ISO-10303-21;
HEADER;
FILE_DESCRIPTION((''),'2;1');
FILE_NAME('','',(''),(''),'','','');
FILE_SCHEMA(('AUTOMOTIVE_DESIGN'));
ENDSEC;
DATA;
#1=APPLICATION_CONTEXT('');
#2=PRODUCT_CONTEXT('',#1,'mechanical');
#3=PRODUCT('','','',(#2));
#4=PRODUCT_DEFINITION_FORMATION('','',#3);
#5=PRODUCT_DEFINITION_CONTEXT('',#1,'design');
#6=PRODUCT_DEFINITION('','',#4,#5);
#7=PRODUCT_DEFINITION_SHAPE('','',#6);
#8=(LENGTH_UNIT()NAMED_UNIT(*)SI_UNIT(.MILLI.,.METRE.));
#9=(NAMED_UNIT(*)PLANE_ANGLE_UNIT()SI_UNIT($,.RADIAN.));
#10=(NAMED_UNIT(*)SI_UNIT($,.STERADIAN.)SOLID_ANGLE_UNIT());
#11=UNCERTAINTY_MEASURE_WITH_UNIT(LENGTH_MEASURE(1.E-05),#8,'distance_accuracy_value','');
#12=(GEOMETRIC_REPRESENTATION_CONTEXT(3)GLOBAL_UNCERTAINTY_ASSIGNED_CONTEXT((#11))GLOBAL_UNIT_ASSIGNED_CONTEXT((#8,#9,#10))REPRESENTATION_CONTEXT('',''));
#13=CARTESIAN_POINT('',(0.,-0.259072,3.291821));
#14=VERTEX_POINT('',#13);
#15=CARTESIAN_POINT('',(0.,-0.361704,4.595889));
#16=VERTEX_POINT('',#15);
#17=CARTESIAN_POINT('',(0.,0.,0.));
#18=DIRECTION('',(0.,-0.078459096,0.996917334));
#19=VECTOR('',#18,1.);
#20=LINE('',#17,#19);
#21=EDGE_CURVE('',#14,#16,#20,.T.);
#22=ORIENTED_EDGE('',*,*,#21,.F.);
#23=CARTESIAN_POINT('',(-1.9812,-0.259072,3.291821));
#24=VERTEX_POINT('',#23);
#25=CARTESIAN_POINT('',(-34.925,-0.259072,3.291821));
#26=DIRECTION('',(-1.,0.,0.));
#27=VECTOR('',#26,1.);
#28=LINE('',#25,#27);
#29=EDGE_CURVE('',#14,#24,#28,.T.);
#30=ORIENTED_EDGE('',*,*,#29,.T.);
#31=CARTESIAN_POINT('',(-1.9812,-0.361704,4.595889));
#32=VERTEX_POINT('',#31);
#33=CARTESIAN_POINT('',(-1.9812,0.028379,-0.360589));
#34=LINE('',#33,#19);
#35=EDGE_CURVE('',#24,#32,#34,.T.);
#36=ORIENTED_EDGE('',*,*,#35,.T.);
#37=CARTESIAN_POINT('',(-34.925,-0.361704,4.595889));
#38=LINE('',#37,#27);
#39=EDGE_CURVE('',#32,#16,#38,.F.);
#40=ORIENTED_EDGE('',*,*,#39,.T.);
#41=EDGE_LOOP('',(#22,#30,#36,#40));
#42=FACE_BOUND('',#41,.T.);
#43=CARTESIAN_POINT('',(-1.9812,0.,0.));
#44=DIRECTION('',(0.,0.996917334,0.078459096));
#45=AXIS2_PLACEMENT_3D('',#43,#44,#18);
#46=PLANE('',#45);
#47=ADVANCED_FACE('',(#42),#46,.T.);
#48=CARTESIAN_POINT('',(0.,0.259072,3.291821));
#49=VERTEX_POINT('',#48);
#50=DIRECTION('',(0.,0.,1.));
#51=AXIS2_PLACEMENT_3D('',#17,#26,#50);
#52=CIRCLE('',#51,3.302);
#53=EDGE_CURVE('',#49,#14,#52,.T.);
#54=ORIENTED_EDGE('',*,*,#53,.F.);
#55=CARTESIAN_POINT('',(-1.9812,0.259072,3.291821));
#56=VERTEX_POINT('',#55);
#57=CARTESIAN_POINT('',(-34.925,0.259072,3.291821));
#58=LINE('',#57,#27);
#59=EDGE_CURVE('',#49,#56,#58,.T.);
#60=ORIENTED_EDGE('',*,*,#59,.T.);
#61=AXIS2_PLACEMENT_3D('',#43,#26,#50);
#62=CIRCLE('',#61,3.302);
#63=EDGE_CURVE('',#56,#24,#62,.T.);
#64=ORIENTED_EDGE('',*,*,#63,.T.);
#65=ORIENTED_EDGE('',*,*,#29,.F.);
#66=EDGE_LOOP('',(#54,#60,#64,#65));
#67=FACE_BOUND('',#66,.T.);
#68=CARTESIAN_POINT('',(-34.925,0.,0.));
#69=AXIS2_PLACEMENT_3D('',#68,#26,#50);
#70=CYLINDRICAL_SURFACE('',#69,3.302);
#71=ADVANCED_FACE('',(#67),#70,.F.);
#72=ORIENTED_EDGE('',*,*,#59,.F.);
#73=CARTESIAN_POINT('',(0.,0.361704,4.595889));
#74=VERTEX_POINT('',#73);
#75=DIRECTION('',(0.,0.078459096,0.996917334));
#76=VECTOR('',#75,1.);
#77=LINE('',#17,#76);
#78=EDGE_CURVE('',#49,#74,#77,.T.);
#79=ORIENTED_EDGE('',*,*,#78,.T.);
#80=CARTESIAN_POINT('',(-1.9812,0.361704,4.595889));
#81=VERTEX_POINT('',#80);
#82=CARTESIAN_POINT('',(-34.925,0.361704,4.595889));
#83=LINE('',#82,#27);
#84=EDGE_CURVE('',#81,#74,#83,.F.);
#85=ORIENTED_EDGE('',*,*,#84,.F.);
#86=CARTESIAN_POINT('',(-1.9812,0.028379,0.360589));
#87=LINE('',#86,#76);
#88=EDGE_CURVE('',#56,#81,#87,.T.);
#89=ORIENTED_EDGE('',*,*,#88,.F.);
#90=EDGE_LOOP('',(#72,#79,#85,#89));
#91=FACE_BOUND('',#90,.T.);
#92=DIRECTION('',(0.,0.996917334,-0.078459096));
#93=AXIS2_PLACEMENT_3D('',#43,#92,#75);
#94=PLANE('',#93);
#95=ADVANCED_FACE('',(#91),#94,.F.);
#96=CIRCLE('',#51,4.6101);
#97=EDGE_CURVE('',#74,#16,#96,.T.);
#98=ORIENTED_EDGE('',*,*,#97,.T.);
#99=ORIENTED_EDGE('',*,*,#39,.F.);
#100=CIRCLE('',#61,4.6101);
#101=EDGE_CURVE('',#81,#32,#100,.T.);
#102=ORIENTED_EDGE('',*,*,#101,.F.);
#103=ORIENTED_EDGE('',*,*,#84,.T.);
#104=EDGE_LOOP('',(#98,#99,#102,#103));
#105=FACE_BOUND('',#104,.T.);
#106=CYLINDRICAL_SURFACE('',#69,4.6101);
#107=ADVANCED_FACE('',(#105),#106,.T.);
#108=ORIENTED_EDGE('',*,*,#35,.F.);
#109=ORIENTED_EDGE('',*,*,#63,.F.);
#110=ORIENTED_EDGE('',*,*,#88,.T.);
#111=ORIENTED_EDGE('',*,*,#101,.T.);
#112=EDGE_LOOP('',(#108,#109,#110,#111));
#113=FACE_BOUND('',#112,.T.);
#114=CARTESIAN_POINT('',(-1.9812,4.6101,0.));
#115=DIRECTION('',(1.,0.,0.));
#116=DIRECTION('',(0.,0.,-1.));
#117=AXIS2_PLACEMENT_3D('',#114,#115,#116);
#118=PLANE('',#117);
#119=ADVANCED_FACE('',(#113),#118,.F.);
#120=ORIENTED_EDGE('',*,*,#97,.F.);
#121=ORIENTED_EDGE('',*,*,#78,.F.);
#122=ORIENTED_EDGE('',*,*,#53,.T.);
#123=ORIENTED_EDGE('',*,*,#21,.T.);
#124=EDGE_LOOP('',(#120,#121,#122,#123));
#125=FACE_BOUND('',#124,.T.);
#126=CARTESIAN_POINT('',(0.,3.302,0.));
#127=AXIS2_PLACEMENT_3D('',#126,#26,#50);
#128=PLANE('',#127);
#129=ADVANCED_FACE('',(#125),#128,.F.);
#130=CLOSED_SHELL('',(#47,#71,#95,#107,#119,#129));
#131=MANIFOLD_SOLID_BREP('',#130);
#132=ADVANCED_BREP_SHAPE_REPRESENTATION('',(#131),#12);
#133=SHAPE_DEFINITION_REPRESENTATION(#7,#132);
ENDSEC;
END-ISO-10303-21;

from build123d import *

# Parameters (mm, degrees)
SKETCH1_W = 1.9812
SKETCH1_H = 1.3081
GAP_DEPTH = 2.9812


with BuildPart() as part:
    # Sketch1 → Base-Revolve (revolve)
    with BuildSketch(Plane.XY):
        with Locations((-0.9906, 3.95605)):
            Rectangle(SKETCH1_W, SKETCH1_H)
    revolve(axis=Axis((-34.925, 0, 0), (1, 0, 0)))

    # Sketch2 → Gap (cut, through all)
    with BuildSketch(Plane(origin=(0, 0, 0), x_dir=(0, -1, 0), z_dir=(-1, 0, 0))):
        with BuildLine():
            Line((0, 0), (0.368938363, 4.687806372))
            ThreePointArc((0.368938363, 4.687806372), (0, 4.702302), (-0.368938363, 4.687806372))
            Line((-0.368938363, 4.687806372), (0, 0))
        make_face()
    extrude(amount=GAP_DEPTH, mode=Mode.SUBTRACT)


solid = part.part
